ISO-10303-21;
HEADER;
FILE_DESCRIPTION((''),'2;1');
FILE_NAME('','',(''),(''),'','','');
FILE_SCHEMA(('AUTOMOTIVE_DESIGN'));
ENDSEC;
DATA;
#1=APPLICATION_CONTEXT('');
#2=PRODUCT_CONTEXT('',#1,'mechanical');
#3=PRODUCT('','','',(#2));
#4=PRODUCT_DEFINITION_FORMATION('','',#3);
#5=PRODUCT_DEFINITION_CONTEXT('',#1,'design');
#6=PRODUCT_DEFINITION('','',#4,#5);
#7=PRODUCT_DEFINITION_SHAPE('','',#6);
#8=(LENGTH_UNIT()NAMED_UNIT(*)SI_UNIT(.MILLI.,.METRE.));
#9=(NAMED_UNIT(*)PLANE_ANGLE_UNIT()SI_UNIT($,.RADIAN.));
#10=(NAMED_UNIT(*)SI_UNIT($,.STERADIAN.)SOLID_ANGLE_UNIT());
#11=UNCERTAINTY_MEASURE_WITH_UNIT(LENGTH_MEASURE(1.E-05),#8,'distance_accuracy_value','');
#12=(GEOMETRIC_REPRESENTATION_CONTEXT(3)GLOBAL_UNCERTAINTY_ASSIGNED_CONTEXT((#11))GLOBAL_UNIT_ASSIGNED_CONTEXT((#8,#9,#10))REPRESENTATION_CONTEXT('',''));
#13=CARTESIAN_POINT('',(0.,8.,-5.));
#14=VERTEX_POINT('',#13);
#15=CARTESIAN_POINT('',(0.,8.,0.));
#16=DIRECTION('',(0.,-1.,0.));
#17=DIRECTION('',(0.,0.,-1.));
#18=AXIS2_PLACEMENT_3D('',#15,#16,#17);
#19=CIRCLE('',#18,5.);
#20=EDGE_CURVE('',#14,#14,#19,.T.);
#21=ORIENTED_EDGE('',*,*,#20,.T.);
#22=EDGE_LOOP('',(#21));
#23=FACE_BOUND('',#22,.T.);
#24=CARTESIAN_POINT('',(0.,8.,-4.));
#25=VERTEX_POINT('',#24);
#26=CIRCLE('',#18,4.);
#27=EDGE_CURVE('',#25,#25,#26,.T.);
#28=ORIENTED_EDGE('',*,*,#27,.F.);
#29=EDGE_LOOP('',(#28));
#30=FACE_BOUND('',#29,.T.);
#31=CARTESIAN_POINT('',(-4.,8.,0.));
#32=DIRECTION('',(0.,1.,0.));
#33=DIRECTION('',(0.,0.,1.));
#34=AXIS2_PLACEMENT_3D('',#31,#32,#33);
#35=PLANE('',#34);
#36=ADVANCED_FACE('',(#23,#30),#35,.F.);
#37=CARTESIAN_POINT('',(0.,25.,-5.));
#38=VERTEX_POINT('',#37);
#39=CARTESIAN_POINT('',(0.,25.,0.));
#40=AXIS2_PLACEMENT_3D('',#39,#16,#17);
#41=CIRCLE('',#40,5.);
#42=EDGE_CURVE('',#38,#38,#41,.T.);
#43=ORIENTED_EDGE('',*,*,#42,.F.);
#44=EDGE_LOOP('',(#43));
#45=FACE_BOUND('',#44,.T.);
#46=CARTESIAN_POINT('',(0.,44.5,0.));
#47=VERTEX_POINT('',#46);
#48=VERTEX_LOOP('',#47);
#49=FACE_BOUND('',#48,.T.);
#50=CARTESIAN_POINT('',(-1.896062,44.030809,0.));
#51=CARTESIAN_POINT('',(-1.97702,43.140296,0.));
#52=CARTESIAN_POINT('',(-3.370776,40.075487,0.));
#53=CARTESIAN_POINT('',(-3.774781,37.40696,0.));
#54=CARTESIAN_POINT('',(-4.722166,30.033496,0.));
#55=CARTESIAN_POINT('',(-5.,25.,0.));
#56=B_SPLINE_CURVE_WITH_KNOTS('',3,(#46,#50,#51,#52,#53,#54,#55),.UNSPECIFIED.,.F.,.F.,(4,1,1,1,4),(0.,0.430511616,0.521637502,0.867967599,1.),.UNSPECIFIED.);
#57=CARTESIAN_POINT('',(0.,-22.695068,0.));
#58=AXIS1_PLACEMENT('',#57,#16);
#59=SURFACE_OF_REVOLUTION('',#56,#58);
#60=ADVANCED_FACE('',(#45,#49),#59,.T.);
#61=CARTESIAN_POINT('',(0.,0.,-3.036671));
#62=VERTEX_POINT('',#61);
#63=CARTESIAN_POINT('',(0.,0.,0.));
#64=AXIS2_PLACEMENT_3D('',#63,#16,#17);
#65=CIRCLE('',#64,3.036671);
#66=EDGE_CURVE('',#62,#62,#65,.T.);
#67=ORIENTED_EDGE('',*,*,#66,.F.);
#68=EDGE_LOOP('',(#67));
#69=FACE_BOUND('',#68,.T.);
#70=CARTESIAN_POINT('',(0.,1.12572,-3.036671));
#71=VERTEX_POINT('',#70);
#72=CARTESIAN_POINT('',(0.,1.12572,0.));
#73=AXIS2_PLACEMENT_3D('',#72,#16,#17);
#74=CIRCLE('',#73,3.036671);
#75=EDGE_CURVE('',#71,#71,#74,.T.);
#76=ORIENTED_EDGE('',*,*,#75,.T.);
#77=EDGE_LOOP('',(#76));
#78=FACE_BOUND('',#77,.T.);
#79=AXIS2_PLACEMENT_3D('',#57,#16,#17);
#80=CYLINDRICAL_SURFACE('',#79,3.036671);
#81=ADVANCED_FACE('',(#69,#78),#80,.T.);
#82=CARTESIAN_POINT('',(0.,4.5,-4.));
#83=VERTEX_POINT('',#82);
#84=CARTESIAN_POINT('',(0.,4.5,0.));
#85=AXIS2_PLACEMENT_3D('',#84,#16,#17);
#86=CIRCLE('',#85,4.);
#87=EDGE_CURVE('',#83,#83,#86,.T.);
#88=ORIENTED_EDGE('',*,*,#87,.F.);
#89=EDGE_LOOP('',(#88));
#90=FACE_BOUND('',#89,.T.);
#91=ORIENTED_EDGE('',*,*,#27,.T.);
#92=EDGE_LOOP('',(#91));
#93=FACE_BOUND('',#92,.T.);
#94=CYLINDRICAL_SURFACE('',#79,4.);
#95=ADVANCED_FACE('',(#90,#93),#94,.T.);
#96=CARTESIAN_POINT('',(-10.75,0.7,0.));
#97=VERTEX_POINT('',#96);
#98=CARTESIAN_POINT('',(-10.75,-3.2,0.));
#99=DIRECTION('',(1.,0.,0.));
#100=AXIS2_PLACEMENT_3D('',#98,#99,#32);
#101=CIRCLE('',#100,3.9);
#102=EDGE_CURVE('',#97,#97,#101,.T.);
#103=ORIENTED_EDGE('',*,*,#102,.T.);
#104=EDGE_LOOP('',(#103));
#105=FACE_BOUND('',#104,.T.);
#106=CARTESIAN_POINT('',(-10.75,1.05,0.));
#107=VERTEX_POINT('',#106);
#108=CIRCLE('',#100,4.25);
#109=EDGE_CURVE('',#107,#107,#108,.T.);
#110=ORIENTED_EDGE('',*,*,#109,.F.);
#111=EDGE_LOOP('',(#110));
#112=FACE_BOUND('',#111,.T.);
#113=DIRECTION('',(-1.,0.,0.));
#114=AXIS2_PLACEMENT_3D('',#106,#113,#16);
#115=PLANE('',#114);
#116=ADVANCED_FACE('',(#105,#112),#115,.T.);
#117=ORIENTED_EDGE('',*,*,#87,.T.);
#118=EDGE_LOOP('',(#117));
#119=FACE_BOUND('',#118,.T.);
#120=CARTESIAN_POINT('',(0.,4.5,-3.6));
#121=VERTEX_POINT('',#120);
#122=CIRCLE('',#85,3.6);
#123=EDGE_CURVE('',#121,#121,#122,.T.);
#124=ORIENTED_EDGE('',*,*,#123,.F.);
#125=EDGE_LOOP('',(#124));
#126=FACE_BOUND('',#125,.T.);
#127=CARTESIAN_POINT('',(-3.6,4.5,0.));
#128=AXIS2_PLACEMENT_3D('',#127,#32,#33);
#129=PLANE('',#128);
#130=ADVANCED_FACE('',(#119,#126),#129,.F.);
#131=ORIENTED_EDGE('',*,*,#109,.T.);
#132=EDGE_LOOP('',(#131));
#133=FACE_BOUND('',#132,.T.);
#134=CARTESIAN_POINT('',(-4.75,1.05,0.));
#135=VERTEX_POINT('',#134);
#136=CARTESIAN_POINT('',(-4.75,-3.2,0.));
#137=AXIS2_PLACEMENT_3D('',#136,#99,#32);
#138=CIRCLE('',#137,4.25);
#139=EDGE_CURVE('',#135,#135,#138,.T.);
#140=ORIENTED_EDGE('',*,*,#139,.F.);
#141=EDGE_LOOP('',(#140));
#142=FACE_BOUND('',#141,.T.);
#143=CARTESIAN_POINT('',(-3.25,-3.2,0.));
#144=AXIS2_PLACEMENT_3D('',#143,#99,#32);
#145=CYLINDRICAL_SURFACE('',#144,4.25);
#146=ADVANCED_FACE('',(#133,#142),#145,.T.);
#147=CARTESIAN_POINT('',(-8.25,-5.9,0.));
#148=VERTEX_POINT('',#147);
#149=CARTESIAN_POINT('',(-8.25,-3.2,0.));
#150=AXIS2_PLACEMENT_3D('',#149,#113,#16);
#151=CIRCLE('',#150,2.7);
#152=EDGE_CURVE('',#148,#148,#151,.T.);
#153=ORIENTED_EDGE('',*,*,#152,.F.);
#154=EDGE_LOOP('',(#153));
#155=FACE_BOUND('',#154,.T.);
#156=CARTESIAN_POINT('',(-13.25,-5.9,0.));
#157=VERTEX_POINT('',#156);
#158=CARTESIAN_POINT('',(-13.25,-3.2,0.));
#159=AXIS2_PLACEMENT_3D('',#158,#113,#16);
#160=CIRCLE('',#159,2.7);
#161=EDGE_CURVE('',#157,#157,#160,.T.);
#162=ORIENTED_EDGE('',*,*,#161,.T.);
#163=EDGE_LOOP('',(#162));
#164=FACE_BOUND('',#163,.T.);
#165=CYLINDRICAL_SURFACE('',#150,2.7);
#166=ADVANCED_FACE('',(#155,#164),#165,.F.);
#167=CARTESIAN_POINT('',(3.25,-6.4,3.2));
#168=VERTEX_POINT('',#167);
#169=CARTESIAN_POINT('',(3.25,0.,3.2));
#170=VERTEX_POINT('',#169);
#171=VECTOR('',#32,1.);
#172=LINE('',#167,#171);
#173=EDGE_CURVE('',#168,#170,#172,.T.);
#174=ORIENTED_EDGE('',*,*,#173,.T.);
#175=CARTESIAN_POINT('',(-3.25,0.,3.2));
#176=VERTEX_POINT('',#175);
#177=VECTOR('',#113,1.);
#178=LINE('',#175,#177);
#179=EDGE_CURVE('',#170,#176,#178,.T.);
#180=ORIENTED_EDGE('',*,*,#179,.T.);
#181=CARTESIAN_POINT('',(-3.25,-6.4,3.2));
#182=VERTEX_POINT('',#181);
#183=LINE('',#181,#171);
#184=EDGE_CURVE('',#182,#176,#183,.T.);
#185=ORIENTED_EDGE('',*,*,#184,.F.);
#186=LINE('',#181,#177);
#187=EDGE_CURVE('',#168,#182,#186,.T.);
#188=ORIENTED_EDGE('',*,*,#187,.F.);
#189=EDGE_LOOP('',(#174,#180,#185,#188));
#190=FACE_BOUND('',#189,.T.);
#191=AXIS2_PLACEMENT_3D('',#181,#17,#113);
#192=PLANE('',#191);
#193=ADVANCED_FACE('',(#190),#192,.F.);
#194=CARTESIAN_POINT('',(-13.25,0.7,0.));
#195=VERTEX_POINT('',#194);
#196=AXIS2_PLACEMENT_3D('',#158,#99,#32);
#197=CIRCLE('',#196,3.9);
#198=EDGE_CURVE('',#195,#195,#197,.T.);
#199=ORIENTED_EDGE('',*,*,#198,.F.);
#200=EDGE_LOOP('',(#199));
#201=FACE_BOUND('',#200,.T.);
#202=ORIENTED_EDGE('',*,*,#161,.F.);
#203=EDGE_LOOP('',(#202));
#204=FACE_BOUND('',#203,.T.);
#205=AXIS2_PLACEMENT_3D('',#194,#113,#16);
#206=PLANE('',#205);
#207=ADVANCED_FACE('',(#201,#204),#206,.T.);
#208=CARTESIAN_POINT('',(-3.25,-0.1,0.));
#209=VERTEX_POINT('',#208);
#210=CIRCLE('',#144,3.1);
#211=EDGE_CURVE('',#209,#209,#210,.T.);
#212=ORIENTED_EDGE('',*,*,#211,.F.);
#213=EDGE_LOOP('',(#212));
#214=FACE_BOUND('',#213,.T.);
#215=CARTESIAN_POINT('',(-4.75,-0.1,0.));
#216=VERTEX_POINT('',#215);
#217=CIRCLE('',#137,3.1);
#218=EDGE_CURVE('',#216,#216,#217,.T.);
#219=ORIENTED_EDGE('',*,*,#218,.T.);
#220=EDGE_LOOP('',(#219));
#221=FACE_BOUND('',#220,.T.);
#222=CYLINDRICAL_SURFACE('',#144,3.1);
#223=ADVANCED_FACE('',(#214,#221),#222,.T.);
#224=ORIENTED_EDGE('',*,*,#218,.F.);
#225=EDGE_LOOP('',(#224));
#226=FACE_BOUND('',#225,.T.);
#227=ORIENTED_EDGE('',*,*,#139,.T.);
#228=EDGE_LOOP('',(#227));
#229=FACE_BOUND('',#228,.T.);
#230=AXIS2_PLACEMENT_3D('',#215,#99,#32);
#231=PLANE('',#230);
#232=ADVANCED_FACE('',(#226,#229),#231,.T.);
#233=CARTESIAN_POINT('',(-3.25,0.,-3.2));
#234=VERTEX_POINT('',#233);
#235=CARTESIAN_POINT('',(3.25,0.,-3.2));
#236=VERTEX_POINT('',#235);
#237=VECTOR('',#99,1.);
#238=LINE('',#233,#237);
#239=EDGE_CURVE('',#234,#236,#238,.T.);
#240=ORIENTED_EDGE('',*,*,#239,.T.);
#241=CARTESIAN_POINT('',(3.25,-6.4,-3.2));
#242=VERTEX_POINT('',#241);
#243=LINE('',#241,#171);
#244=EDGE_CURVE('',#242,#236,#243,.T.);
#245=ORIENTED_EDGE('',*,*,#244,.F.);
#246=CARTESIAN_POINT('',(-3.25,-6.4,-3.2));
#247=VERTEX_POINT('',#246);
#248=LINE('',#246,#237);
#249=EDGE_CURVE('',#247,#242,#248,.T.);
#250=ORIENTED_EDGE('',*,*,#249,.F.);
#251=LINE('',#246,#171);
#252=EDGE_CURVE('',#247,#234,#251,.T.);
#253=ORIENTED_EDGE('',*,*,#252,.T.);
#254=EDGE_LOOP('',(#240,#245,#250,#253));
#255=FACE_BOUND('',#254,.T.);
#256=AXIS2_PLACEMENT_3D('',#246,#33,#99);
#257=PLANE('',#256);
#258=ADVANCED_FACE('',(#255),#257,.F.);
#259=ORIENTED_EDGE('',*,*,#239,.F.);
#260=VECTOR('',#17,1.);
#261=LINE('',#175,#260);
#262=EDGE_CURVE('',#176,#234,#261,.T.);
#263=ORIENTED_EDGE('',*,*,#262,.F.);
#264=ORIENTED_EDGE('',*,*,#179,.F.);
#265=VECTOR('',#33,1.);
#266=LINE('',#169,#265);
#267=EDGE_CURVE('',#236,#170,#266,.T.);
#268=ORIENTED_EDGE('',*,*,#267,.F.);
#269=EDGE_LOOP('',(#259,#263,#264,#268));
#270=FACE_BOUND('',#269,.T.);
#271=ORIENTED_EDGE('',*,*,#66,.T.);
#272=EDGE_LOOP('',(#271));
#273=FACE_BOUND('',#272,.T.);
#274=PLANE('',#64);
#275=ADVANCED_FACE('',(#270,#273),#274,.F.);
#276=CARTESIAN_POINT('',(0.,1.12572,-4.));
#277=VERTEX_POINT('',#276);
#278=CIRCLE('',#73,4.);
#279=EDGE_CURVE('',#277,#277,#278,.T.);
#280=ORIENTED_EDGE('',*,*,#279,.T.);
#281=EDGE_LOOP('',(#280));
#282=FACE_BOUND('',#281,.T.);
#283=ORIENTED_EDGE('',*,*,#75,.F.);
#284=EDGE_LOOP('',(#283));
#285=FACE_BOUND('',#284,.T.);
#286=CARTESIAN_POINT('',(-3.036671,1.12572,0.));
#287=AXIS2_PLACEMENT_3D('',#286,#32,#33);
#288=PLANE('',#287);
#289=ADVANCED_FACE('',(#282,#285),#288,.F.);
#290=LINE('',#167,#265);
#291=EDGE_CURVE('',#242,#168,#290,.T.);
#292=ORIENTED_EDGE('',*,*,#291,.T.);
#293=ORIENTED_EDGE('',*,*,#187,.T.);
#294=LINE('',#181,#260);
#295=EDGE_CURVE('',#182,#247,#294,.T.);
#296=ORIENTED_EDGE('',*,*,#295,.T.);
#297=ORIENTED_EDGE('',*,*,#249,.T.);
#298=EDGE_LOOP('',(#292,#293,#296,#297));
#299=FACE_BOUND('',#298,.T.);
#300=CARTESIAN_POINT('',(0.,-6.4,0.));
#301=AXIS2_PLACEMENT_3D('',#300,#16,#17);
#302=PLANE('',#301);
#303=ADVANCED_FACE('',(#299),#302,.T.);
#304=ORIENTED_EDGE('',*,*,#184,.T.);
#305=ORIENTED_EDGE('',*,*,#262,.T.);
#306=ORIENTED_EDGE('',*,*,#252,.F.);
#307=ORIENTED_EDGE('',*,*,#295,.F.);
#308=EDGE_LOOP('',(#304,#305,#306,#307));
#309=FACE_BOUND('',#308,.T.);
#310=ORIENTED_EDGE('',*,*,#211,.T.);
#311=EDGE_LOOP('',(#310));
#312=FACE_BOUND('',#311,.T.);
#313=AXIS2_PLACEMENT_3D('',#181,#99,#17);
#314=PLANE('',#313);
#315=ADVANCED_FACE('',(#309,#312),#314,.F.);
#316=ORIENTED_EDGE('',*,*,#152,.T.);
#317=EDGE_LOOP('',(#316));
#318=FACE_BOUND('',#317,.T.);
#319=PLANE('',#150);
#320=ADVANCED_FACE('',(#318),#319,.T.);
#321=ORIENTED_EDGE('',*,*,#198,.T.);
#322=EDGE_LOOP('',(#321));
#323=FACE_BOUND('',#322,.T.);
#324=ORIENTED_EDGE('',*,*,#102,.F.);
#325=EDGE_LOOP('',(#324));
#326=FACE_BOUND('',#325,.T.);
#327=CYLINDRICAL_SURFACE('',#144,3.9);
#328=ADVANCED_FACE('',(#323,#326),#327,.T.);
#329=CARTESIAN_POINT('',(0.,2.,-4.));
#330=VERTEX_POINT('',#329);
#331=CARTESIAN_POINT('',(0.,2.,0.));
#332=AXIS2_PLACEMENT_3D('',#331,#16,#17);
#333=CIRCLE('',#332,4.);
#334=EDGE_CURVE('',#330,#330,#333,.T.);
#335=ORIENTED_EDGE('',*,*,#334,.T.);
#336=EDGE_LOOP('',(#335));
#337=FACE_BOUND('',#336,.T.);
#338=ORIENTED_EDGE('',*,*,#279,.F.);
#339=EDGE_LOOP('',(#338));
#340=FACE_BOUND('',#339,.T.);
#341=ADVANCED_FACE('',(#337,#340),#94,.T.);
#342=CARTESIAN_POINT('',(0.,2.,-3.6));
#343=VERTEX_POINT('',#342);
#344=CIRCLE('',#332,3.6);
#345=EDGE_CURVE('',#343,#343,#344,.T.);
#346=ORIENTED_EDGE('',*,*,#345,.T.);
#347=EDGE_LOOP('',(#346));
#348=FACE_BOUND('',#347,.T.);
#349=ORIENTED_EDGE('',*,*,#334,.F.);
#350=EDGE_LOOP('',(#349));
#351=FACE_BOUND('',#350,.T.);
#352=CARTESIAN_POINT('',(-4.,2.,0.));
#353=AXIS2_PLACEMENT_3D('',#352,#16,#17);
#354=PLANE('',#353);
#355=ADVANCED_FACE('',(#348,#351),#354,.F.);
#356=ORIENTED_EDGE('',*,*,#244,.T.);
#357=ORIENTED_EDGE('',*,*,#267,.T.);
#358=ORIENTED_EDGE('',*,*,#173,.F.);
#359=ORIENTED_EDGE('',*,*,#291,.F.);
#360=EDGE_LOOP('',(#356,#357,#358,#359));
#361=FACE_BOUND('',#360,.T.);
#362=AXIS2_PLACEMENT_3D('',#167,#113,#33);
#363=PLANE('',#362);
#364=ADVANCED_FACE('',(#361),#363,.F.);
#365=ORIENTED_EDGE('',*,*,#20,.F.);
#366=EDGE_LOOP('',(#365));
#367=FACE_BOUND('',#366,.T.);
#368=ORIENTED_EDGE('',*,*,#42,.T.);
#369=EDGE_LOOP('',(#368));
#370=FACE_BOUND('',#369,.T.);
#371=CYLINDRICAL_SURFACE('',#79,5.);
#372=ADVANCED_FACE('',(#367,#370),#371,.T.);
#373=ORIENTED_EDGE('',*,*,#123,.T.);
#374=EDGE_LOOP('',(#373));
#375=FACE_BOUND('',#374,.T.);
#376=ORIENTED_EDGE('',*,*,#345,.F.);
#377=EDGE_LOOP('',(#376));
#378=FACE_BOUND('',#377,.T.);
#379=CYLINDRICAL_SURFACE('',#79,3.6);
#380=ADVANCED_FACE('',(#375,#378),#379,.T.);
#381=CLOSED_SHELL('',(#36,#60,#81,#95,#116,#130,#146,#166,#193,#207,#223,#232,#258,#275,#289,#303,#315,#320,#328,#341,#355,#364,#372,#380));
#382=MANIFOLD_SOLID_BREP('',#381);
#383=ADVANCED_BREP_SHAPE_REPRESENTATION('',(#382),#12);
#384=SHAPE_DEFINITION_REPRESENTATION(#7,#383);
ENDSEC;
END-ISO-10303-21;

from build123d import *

# Parameters (mm, degrees)
SKETCH_2_W          = 6.5
SKETCH_2_H          = 6.4
EXTRUDE_1_DEPTH     = 6.4
SKETCH_5_R          = 2.7
CUT_EXTRUDE_1_DEPTH = 5


with BuildPart() as part:
    # 草图1 → 旋转1 (revolve)
    with BuildSketch(Plane.XY, mode=Mode.PRIVATE) as revolve_1_sk:
        with BuildLine():
            Line((0, 0), (-3.036670619, 0))
            Line((-3.036670619, 0), (-3.036670619, 1.125720416))
            Line((-3.036670619, 1.125720416), (-4, 1.125720416))
            Line((-4, 1.125720416), (-4, 2))
            Line((-4, 2), (-3.6, 2))
            Line((-3.6, 2), (-3.6, 4.5))
            Line((-3.6, 4.5), (-4, 4.5))
            Line((-4, 4.5), (-4, 8))
            Line((-4, 8), (-5, 8))
            Line((-5, 8), (-5, 25))
            add(Edge.make_bspline(
                [(-5, 25), (-4.722166372, 30.033496439), (-3.774780509, 37.406959566), (-3.370776113, 40.075486719), (-1.977019792, 43.14029628), (-1.896061892, 44.030808648), (0, 44.5)],
                knots=[0, 0, 0, 0, 0.132032401, 0.478362498, 0.569488384, 1, 1, 1, 1], degree=3))
            Line((0, 44.5), (0, 0))
        make_face()
    revolve(revolve_1_sk.sketch.rotate(Axis((0, -22.695068061, 0), (0, 1, 0)), 270), axis=Axis((0, -22.695068061, 0), (0, 1, 0)))

    # 草图2 → 凸台-拉伸1 (add)
    with BuildSketch(Plane.XZ):
        Rectangle(SKETCH_2_W, SKETCH_2_H)
    extrude(amount=EXTRUDE_1_DEPTH)

    # 草图4 → 旋转4 (revolve)
    with BuildSketch(Plane.XY):
        Polygon((-3.25, -0.1), (-4.75, -0.1), (-4.75, 1.05), (-10.75, 1.05), (-10.75, 0.7), (-13.25, 0.7), (-13.25, -3.2), (-3.25, -3.2), align=None)
    revolve(axis=Axis((-3.25, -3.2, 0), (-1, 0, 0)))

    # 草图5 → 切除-拉伸1 (cut)
    with BuildSketch(Plane.ZY.offset(13.25)):
        with Locations(Location((0, -3.2, 0), (0, 0, 270))):
            Circle(SKETCH_5_R)
    extrude(amount=-CUT_EXTRUDE_1_DEPTH, mode=Mode.SUBTRACT)


solid = part.part
